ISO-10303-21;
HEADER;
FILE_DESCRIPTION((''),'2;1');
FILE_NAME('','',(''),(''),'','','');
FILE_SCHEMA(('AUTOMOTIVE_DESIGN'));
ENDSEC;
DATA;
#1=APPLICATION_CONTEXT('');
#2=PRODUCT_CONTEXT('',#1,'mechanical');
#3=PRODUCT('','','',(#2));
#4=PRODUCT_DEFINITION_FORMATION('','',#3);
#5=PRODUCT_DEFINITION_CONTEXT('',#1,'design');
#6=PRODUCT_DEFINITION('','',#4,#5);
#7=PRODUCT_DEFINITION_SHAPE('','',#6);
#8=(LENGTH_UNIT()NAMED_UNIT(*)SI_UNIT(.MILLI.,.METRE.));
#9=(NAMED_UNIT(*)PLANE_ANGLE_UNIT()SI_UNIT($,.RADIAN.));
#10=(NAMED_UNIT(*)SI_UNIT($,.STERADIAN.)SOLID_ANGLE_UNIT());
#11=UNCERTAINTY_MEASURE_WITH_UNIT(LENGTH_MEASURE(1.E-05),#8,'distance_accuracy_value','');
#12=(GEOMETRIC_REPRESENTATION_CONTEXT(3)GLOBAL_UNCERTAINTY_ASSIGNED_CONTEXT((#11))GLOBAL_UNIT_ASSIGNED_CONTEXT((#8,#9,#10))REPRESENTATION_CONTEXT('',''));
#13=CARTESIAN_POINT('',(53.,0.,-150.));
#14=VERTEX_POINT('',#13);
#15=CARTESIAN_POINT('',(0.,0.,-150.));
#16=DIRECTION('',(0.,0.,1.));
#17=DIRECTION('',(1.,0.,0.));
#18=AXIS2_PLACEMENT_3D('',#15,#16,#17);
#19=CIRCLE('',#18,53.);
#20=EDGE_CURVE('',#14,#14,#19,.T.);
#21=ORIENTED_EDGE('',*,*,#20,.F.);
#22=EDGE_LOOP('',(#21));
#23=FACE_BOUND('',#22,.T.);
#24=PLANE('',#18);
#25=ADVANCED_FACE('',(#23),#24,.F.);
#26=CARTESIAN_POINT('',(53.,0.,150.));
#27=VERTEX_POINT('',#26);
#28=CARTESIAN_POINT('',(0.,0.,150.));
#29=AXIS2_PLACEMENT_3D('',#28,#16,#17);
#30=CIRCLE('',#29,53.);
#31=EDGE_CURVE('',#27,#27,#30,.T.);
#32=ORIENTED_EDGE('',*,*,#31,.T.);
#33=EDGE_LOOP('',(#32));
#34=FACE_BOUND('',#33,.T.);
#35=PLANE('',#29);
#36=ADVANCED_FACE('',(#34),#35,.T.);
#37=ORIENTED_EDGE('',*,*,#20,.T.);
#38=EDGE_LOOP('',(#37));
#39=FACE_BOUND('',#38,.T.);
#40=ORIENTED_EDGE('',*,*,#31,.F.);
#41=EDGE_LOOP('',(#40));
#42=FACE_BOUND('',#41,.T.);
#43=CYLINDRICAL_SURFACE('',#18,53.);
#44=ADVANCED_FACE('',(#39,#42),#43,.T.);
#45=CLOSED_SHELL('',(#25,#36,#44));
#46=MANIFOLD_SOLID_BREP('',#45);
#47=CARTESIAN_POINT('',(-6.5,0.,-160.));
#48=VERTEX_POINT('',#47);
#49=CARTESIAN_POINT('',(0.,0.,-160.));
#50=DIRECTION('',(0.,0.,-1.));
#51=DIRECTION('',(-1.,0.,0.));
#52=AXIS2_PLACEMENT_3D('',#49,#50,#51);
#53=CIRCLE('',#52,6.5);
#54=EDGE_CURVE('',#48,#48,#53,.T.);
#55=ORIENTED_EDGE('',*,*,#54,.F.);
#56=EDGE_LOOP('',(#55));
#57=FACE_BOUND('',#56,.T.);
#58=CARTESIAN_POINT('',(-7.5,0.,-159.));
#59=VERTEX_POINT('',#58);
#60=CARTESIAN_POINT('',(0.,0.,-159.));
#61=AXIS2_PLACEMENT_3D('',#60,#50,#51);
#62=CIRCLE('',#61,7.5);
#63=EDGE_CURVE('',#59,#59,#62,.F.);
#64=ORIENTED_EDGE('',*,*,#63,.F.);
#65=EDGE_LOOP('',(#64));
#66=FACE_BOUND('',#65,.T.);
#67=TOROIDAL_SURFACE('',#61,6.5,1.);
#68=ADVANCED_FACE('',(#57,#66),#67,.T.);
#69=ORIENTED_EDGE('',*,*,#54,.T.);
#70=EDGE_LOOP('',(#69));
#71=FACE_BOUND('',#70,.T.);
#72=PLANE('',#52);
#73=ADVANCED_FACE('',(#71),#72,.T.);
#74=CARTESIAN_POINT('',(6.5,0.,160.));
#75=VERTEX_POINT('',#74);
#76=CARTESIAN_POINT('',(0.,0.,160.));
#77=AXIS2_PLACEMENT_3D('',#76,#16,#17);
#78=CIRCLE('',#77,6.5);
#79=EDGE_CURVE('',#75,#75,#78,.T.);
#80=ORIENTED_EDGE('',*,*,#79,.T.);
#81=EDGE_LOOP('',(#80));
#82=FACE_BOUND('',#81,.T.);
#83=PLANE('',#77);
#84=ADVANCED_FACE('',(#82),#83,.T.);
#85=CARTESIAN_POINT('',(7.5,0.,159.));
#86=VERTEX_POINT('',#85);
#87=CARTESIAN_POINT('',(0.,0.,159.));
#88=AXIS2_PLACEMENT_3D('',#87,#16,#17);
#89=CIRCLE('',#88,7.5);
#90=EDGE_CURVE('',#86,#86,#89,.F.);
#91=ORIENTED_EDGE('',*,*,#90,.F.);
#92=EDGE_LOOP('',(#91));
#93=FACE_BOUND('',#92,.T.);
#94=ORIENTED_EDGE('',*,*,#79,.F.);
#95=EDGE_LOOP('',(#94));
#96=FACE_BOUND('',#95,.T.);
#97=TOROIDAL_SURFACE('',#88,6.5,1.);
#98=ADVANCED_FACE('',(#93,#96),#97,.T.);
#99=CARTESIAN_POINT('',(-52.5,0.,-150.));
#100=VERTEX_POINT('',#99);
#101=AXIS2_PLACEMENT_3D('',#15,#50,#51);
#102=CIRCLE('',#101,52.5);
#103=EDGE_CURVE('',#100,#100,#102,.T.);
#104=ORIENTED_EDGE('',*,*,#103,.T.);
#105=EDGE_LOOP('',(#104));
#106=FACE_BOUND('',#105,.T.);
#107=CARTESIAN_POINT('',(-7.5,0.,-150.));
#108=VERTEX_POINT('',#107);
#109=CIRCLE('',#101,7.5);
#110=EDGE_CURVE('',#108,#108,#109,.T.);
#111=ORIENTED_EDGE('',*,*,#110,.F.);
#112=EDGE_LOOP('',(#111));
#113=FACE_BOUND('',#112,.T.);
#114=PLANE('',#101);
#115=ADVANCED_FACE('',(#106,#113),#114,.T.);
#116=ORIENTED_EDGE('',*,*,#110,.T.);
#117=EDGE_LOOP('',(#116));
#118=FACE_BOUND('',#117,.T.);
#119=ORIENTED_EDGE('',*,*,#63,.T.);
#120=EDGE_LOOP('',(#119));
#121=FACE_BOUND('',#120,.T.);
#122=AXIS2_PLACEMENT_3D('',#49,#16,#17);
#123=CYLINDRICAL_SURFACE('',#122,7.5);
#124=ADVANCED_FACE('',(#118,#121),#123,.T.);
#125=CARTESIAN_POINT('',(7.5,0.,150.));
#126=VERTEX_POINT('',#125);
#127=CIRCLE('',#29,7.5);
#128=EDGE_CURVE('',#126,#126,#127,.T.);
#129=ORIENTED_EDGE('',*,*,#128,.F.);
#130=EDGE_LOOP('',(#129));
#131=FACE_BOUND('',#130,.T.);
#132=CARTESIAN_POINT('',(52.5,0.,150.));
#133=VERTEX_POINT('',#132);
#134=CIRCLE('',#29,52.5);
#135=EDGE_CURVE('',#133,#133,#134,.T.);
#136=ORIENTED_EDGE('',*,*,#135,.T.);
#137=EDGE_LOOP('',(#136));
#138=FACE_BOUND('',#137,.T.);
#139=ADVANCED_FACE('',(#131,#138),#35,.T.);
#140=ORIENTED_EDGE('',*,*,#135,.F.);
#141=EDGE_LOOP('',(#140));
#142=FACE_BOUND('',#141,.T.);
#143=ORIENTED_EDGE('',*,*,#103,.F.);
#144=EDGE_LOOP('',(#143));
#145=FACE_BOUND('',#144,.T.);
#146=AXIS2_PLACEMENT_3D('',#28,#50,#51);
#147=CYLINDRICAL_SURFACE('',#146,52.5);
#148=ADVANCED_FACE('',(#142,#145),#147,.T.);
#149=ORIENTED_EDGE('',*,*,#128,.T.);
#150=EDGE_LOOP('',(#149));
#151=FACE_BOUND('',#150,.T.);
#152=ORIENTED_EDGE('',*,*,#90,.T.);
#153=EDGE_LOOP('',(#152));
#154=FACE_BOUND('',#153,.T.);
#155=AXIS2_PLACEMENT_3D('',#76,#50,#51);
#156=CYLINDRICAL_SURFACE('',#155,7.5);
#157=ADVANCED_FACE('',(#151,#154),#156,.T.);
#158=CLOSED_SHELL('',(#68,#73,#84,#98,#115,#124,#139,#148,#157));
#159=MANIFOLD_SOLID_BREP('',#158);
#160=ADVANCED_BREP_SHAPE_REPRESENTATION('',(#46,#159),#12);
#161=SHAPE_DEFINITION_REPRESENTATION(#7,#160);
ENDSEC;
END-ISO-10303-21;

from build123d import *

# Parameters (mm, degrees)
SCHIZZO1_R                        = 52.5
ESTRUSIONE_ESTRUSIONE1_DEPTH      = 150
ESTRUSIONE_ESTRUSIONE2_START      = 150
SCHIZZO2_R                        = 52.5
ESTRUSIONE_ESTRUSIONE2_DEPTH      = 150
SCHIZZO3_R                        = 7.5
ESTRUSIONE_ESTRUSIONE3_DEPTH      = 10
RACCORDO1_R                       = 1
ESTRUSIONE_ESTRUSIONE4_START      = 10
SCHIZZO4_R                        = 7.5
ESTRUSIONE_ESTRUSIONE4_DEPTH      = 10
RACCORDO2_R                       = 1
ESTRUSIONE_ESTRUSIONE6_DEPTH      = 150
ESTRUSIONE_ESTRUSIONE6_DEPTH_BACK = 150
SCHIZZO8_R                        = 53


with BuildPart() as part:
    # Schizzo1 → Estrusione-Estrusione1 (new body)
    with BuildSketch(Plane.XY):
        Circle(SCHIZZO1_R)
    extrude(amount=ESTRUSIONE_ESTRUSIONE1_DEPTH)

    # Schizzo2 → Estrusione-Estrusione2 (add)
    with BuildSketch(Plane(origin=(0, 0, 0), x_dir=(-1, 0, 0), z_dir=(0, 0, -1)).offset(ESTRUSIONE_ESTRUSIONE2_START)):
        Circle(SCHIZZO2_R)
    extrude(amount=-ESTRUSIONE_ESTRUSIONE2_DEPTH)

    # Schizzo3 → Estrusione-Estrusione3 (add)
    with BuildSketch(Plane(origin=(0, 0, -150), x_dir=(-1, 0, 0), z_dir=(0, 0, -1))):
        Circle(SCHIZZO3_R)
    extrude(amount=ESTRUSIONE_ESTRUSIONE3_DEPTH)

    # Raccordo1
    raccordo1_edges = [part.edges().sort_by_distance(p)[0] for p in [
        (7.5, 0, -160),
    ]]
    fillet(raccordo1_edges, radius=RACCORDO1_R)

    # Schizzo4 → Estrusione-Estrusione4 (add)
    with BuildSketch(Plane.XY.offset(150).offset(ESTRUSIONE_ESTRUSIONE4_START)):
        with Locations(Location((0, 0, 0), (0, 0, 180))):
            Circle(SCHIZZO4_R)
    extrude(amount=-ESTRUSIONE_ESTRUSIONE4_DEPTH)

    # Raccordo2
    raccordo2_edges = [part.edges().sort_by_distance(p)[0] for p in [
        (7.5, 0, 160),
    ]]
    fillet(raccordo2_edges, radius=RACCORDO2_R)


with BuildPart() as body_2:
    # Schizzo8 → Estrusione-Estrusione6 (new, two sides: drawn at the far end of the back side and taken through both)
    with BuildSketch(Plane.XY.offset(-ESTRUSIONE_ESTRUSIONE6_DEPTH_BACK)):
        Circle(SCHIZZO8_R)
    extrude(amount=ESTRUSIONE_ESTRUSIONE6_DEPTH + ESTRUSIONE_ESTRUSIONE6_DEPTH_BACK)


solid = Compound([part.part, body_2.part])
